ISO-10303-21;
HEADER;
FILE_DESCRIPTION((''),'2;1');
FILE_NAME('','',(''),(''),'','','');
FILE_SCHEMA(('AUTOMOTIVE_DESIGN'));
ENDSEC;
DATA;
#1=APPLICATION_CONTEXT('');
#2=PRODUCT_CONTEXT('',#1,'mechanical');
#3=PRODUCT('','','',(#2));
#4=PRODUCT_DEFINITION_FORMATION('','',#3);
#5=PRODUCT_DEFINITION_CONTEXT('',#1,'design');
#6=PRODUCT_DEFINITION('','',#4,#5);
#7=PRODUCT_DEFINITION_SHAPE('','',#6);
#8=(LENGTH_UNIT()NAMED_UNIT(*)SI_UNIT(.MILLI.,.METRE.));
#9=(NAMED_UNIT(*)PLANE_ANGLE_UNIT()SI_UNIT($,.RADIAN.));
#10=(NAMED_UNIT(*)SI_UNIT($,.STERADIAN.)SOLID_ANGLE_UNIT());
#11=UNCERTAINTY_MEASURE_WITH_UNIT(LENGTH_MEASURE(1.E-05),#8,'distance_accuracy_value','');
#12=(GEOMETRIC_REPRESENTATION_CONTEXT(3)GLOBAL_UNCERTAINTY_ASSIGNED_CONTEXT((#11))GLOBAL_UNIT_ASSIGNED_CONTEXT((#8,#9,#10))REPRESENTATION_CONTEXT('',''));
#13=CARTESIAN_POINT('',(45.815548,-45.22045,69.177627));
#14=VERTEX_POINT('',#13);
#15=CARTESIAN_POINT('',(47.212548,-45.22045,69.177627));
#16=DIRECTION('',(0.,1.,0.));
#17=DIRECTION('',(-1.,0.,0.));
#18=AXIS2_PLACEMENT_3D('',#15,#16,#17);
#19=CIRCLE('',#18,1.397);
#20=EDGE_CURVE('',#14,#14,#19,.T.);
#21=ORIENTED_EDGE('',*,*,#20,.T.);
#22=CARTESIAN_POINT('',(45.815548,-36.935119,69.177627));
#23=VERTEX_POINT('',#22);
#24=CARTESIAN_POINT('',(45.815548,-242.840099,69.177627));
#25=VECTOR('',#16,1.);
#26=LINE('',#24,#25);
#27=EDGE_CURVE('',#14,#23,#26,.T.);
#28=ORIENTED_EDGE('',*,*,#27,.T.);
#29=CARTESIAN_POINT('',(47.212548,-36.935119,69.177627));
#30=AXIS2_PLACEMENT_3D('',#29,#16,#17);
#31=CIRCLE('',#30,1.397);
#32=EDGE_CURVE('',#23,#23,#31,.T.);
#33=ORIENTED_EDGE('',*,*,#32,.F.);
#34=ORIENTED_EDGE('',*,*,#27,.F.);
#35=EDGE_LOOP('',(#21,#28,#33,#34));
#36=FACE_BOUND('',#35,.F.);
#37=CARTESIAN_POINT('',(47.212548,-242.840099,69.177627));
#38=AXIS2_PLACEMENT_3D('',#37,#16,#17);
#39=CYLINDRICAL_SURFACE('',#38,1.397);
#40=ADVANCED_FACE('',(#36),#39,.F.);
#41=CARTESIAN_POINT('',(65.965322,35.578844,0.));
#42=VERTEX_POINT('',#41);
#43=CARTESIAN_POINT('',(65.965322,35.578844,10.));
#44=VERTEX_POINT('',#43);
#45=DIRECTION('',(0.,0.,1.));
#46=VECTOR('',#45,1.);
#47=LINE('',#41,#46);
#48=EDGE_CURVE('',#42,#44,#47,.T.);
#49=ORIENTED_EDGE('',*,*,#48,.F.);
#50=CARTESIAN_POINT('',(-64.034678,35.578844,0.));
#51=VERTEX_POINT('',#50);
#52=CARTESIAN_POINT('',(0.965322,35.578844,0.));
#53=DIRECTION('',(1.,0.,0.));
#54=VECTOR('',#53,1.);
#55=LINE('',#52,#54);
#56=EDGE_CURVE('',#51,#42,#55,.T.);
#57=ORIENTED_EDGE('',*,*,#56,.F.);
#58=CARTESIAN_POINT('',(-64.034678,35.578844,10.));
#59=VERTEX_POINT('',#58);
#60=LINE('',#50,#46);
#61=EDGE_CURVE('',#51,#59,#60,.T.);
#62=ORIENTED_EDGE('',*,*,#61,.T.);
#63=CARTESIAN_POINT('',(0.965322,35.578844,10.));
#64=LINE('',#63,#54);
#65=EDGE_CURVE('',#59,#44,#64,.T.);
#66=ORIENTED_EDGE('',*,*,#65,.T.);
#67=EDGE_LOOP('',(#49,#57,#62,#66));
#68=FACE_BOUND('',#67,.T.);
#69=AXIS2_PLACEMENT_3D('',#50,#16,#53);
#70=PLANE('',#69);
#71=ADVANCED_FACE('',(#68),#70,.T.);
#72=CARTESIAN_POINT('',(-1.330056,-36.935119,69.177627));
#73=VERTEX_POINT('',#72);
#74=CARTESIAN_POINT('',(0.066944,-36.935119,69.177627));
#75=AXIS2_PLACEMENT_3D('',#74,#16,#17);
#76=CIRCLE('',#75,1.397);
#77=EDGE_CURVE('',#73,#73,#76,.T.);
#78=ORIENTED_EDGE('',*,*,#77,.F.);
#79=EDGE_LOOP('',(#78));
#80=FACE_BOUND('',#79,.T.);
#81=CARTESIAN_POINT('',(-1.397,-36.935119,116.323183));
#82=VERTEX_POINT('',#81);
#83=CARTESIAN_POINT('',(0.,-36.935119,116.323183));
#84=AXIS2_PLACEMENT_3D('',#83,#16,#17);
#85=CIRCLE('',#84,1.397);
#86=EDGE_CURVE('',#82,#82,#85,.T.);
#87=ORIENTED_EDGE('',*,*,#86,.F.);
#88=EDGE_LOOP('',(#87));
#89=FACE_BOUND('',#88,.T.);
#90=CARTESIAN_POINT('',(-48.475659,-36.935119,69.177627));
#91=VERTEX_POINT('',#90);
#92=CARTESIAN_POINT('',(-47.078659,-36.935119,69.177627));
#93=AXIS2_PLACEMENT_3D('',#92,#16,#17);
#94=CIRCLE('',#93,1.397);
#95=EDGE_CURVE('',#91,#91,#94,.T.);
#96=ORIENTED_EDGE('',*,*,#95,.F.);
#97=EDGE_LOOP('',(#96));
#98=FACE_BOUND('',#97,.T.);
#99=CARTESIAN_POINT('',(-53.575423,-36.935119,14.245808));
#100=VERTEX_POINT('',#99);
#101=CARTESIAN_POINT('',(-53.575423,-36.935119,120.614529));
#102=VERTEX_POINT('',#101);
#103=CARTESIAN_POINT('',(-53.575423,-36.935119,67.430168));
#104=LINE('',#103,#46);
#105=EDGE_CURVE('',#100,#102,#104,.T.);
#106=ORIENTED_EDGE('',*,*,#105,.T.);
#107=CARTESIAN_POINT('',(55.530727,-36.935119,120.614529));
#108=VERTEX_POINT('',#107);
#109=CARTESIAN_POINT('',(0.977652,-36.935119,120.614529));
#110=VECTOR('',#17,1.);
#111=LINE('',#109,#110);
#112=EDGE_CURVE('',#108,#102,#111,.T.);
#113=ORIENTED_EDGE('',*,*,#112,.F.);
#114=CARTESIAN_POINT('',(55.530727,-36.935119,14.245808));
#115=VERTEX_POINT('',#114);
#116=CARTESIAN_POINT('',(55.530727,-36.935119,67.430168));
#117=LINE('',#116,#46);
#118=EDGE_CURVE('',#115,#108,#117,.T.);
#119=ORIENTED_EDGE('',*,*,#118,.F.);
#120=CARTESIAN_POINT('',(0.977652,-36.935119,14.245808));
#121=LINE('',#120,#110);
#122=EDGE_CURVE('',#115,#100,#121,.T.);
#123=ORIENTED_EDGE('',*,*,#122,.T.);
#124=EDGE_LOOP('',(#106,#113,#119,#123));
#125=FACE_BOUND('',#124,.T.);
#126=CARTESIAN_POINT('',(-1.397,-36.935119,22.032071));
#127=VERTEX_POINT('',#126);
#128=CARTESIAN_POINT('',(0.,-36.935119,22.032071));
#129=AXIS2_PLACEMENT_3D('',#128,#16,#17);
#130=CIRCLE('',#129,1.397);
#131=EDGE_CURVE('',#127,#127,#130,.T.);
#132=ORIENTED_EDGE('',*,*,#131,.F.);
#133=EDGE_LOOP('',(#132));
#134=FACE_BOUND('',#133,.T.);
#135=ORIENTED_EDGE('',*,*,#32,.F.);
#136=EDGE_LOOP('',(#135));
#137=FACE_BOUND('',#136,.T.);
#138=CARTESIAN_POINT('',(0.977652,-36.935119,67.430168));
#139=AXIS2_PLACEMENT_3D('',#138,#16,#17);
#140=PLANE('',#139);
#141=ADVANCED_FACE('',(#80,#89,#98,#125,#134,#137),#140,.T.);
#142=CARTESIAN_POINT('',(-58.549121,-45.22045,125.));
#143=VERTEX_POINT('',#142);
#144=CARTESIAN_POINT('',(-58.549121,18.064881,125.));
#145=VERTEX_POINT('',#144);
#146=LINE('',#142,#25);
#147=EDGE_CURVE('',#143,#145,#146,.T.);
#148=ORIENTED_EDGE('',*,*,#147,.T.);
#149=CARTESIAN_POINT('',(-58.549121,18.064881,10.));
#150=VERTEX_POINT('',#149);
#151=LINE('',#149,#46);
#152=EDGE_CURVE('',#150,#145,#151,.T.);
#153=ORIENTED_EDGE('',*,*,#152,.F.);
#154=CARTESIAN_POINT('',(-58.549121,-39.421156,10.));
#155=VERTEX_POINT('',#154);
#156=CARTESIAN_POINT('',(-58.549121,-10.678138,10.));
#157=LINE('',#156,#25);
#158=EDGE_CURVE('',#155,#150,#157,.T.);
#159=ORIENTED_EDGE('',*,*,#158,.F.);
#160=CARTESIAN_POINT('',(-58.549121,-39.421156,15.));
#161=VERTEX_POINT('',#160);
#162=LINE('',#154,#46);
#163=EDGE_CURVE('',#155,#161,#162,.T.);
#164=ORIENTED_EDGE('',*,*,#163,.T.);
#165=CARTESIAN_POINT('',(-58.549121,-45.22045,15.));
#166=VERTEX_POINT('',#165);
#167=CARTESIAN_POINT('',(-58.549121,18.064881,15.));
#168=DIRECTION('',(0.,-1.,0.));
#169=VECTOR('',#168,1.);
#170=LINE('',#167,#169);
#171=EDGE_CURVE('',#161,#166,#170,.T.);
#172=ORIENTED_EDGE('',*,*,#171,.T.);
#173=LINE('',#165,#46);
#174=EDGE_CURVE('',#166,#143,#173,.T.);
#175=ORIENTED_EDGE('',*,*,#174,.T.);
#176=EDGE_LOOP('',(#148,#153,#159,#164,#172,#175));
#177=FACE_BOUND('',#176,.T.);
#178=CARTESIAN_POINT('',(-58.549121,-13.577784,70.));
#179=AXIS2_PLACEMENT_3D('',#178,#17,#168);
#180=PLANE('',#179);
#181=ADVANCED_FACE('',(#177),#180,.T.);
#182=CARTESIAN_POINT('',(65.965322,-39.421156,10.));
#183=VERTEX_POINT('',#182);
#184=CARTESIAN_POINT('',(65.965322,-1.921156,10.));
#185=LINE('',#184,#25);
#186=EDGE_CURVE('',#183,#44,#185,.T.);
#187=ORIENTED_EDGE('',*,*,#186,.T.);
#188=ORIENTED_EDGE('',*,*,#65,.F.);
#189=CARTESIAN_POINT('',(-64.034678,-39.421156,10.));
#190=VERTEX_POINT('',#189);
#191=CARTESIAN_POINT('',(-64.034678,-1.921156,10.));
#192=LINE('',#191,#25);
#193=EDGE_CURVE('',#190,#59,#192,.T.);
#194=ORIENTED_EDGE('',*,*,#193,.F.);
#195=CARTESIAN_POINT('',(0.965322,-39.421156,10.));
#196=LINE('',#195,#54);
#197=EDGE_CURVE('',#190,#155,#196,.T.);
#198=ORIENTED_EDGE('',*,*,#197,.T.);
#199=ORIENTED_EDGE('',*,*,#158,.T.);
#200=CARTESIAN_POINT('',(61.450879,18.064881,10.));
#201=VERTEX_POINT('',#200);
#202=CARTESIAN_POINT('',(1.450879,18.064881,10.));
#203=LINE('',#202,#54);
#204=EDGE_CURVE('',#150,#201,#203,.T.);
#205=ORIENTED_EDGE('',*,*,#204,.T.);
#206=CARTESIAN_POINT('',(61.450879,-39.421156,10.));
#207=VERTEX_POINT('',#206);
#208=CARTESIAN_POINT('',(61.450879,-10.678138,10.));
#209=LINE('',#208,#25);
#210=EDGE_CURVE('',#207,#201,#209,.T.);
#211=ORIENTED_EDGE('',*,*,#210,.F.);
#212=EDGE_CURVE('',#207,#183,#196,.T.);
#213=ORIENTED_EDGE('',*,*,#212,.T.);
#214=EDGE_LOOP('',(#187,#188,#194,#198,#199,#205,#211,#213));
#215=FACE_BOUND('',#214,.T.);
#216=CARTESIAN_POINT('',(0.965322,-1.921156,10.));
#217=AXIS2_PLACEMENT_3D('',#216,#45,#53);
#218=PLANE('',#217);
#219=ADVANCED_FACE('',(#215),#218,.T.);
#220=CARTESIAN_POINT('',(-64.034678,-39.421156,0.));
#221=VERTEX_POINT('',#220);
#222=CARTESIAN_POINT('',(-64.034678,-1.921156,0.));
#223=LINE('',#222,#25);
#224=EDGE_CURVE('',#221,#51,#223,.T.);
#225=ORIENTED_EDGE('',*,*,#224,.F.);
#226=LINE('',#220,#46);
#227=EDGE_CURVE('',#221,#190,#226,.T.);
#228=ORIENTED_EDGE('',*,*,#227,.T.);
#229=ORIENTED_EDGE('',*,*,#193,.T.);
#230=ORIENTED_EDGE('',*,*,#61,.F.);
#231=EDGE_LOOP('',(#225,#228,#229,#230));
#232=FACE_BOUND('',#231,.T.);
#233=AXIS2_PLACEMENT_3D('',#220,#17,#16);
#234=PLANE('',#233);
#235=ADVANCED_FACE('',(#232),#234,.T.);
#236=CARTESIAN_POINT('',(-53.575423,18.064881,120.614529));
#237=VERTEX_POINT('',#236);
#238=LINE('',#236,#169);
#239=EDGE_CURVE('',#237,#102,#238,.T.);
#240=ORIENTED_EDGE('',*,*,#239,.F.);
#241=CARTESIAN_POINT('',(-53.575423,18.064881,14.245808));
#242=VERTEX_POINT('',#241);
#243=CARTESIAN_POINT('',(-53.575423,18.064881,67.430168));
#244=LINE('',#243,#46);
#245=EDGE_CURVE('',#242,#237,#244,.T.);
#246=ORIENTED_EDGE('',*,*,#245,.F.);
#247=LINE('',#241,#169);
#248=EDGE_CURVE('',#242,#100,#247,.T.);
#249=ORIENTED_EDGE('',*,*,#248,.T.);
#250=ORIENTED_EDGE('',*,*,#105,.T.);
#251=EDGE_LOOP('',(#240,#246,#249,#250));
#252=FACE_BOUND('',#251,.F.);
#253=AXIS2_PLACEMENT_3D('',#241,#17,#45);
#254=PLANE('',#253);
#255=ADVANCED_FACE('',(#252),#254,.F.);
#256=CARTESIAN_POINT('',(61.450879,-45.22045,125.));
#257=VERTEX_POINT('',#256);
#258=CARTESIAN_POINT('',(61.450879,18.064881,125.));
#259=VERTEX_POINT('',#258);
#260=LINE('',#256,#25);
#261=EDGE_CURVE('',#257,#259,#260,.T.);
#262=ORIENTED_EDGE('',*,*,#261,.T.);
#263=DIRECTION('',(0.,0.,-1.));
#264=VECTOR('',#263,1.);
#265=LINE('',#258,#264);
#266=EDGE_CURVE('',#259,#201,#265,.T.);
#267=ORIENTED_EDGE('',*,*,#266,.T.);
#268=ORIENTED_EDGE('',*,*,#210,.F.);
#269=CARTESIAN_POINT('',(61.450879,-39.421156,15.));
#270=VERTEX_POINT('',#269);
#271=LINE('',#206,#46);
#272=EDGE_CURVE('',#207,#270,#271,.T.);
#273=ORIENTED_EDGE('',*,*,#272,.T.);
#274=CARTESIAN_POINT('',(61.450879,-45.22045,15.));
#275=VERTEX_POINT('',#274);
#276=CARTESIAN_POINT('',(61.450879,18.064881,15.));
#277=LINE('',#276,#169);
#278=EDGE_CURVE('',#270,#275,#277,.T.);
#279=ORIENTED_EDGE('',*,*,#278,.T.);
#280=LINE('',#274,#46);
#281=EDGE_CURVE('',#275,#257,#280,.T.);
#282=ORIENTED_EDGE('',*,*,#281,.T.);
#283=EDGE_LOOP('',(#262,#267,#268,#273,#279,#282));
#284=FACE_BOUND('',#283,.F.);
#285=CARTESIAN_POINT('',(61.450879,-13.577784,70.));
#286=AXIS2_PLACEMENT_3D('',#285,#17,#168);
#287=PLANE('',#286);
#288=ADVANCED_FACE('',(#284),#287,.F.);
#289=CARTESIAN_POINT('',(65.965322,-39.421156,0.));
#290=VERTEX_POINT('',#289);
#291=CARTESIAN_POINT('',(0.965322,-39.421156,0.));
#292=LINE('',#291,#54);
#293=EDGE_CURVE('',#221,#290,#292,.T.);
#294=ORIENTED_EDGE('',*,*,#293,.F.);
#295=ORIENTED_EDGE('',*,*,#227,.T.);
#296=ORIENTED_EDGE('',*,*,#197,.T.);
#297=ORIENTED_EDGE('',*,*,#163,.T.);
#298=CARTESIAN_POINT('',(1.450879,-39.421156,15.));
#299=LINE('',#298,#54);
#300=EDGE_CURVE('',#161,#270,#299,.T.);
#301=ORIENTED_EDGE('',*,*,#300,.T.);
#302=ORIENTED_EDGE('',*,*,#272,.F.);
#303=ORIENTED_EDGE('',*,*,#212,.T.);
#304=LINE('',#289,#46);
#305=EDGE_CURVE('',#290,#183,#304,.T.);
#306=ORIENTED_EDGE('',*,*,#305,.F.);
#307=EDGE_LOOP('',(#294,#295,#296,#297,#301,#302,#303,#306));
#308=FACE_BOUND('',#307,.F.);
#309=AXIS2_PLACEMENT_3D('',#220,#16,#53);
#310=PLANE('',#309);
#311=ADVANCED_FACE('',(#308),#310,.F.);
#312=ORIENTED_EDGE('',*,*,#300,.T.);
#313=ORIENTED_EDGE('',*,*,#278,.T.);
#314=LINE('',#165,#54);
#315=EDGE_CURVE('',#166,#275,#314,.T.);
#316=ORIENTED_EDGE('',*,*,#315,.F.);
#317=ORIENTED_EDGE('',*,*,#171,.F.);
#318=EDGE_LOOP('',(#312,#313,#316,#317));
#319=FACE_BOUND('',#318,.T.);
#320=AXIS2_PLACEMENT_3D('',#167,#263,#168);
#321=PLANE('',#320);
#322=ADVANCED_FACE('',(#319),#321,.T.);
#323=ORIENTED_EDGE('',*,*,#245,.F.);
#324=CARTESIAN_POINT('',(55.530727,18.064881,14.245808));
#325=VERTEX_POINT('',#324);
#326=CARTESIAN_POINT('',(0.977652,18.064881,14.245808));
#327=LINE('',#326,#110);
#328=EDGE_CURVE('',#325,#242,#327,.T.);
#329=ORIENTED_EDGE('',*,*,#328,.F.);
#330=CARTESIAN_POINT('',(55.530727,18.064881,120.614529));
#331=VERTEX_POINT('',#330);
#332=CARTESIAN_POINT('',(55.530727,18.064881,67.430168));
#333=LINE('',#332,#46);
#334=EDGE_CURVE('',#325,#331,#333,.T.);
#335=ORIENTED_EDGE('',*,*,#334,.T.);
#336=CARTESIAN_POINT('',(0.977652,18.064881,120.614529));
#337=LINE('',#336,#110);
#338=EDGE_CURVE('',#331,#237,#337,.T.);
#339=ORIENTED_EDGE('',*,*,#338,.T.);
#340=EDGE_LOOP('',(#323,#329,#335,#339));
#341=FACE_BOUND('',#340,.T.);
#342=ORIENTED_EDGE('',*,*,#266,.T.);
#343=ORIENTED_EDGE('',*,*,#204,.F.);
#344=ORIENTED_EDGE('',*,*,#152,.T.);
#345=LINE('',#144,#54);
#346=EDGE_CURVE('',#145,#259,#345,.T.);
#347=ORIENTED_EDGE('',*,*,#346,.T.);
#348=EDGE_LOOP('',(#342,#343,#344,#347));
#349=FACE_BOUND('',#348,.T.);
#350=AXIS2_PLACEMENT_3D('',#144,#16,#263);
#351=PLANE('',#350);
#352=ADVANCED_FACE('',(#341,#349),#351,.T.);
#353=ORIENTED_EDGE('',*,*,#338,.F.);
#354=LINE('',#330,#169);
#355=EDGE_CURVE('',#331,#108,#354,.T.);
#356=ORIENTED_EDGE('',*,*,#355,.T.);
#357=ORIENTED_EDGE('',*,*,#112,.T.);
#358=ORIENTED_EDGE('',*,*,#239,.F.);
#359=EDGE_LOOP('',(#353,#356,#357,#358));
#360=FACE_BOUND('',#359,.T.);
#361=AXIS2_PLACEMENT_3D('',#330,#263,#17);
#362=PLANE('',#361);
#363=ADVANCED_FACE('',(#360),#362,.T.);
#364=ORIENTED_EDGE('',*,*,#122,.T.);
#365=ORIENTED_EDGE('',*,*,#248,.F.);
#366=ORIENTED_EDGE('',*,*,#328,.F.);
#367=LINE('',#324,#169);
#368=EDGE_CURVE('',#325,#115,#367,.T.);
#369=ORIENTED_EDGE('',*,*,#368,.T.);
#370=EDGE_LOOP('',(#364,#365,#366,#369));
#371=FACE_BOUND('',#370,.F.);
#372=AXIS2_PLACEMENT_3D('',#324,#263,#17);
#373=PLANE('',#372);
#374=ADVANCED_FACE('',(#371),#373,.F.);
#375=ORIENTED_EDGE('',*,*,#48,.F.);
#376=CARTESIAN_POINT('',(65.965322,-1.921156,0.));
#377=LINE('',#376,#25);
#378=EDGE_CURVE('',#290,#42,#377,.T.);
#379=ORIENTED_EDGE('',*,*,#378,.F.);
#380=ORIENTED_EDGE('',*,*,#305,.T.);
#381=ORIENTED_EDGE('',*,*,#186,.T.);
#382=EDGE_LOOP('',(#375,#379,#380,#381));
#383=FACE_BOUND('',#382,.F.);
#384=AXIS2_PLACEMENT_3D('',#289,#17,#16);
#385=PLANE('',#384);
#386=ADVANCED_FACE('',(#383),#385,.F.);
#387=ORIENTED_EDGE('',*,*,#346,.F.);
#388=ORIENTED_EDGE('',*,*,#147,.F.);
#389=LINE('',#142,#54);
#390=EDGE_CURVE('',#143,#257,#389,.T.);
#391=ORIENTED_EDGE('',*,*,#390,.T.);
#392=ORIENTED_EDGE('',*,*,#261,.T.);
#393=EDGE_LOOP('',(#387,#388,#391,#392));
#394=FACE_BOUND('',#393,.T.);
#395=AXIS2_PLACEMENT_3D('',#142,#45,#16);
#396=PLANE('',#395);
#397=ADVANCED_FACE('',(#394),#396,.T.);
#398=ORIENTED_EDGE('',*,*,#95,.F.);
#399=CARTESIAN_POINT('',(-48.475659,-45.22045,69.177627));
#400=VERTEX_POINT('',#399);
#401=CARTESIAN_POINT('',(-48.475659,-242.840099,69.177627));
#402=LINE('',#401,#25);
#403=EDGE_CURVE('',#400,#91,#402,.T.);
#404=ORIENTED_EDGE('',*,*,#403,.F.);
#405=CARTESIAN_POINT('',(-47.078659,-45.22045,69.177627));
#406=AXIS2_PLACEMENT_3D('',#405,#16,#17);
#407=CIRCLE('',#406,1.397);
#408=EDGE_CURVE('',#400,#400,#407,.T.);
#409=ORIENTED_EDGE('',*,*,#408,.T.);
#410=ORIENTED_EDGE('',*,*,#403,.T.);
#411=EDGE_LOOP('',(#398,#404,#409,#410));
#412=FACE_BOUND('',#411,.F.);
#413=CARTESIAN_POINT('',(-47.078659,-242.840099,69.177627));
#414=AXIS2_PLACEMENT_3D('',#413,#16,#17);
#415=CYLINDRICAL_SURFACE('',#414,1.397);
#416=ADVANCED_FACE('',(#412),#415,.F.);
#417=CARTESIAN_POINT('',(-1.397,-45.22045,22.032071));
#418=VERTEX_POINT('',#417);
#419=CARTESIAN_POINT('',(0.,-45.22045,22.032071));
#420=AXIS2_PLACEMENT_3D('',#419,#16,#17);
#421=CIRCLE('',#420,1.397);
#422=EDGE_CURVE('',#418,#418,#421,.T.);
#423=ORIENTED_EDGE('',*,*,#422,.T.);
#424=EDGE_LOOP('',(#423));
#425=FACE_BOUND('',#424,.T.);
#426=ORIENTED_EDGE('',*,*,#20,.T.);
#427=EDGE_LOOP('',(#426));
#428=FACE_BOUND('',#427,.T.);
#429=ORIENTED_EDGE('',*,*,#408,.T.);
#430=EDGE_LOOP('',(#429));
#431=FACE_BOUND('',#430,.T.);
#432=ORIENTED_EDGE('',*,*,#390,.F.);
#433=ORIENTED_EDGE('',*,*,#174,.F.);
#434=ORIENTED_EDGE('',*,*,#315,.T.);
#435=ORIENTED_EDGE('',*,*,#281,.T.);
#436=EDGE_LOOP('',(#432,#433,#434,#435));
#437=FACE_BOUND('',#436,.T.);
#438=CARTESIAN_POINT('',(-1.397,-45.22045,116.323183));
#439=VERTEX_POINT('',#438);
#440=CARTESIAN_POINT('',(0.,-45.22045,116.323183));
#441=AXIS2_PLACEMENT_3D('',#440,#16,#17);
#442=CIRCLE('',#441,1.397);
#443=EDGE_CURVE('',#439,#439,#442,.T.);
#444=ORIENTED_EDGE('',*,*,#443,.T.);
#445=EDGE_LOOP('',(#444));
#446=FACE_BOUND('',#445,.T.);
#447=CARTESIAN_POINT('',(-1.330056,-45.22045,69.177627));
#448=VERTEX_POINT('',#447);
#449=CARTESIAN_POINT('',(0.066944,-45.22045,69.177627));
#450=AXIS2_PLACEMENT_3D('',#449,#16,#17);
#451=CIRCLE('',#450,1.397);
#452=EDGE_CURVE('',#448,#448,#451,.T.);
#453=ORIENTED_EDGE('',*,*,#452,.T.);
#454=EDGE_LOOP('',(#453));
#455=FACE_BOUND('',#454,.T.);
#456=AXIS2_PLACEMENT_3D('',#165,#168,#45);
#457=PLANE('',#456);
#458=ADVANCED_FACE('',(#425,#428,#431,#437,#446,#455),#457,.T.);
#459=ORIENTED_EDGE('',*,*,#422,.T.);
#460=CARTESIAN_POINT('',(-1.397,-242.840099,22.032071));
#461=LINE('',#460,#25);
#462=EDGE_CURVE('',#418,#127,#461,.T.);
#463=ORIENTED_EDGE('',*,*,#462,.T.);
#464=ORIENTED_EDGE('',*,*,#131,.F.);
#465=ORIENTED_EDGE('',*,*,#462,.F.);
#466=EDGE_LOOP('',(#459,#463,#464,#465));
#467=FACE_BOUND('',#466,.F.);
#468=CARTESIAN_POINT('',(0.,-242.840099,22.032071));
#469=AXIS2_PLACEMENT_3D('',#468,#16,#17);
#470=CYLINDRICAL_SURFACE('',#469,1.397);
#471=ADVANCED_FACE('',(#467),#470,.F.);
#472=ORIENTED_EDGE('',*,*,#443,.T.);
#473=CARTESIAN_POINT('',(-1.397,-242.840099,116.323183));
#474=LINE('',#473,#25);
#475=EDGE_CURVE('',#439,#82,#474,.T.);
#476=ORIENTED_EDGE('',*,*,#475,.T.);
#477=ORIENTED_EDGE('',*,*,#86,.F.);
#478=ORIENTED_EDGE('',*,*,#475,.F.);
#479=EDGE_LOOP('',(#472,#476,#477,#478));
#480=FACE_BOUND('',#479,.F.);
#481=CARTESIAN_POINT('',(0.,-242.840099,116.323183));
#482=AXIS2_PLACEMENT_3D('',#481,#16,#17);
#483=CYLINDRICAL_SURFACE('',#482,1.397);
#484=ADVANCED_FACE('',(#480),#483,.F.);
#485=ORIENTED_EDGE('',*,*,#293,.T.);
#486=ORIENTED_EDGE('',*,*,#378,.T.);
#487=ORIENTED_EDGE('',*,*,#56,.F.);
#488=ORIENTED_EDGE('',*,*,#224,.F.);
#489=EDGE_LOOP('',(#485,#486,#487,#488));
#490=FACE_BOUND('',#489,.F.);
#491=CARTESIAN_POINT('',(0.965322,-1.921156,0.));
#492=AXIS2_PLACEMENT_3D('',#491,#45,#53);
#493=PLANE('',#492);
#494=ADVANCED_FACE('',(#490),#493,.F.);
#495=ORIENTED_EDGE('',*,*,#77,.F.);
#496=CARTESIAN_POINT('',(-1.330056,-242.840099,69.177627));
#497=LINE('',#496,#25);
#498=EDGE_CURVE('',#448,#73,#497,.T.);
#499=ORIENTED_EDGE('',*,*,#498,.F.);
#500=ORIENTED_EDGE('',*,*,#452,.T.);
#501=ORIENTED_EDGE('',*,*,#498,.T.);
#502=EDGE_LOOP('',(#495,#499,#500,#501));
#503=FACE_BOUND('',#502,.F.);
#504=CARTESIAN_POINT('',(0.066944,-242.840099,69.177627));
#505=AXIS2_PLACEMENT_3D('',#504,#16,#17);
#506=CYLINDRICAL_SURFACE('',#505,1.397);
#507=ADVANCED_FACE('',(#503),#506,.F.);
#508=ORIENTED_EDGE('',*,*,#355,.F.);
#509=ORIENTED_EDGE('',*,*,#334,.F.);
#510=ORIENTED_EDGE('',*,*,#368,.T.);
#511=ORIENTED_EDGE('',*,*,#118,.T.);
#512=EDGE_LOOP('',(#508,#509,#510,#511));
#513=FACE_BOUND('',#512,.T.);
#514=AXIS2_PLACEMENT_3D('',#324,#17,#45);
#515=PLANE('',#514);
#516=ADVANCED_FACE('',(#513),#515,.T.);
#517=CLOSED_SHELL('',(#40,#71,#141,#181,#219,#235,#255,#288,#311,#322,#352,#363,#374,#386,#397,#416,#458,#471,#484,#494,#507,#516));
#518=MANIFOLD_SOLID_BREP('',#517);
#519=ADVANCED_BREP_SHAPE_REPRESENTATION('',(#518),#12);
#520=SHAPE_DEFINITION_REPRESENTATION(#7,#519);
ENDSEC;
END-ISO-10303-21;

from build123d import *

# Parameters (mm, degrees)
F0_W     = 130
F0_H     = 75
F1_DEPTH = 10
F2_W     = 120
F2_H     = 57.4860367924
F3_DEPTH = 5
F5_DEPTH = 120
F7_D     = 2.794
F8_W     = 109.1061495245
F8_H     = 106.3687205315
F8_R     = 1.397
F9_DEPTH = 55


with BuildPart() as f1:
    # F0 (on Top) → F1 (new body)
    with BuildSketch(Plane.XY):
        with Locations((0.9653219581, -1.9211560488)):
            Rectangle(F0_W, F0_H)
    extrude(amount=F1_DEPTH)

    # F2 (on face) → F3 (join)
    with BuildSketch(Plane.XY.offset(10)):
        with Locations((1.4508789778, -10.6781376526)):
            Rectangle(F2_W, F2_H)
    extrude(amount=F3_DEPTH)

    # F4 (on face) → F5 (join)
    with BuildSketch(Plane(origin=(-58.5491210222, 0, 0), x_dir=(0, -1, 0), z_dir=(-1, 0, 0))):
        Polygon((-18.0648807436, 125), (-18.0648807436, 15), (39.4211560488, 15), (45.2204495668, 15), (45.2204495668, 125), align=None)
    extrude(amount=-F5_DEPTH)

    # F7 (through all)
    with Locations(Plane.XZ.offset(45.2204495668)):
        with Locations((0, 116.3231828261), (-47.0786592322, 69.1776266678), (0, 22.0320705095), (47.2125481423, 69.1776266678), (0.066944455, 69.1776266678)):
            Hole(F7_D / 2)

    # F8 (on face) → F9 (cut)
    with BuildSketch(Plane(origin=(0, 18.0648807436, 0), x_dir=(-1, 0, 0), z_dir=(0, 1, 0))):
        with Locations((-0.9776521474, 67.4301683903)):
            Rectangle(F8_W, F8_H)
        with Locations((0, 22.0320705095)):
            Circle(F8_R, mode=Mode.SUBTRACT)
        with Locations((-47.2125481423, 69.1776266678)):
            Circle(F8_R, mode=Mode.SUBTRACT)
        with Locations((-0.066944455, 69.1776266678)):
            Circle(F8_R, mode=Mode.SUBTRACT)
        with Locations((47.0786592322, 69.1776266678)):
            Circle(F8_R, mode=Mode.SUBTRACT)
        with Locations((0, 116.3231828261)):
            Circle(F8_R, mode=Mode.SUBTRACT)
    extrude(amount=-F9_DEPTH, mode=Mode.SUBTRACT)


solid = f1.part
